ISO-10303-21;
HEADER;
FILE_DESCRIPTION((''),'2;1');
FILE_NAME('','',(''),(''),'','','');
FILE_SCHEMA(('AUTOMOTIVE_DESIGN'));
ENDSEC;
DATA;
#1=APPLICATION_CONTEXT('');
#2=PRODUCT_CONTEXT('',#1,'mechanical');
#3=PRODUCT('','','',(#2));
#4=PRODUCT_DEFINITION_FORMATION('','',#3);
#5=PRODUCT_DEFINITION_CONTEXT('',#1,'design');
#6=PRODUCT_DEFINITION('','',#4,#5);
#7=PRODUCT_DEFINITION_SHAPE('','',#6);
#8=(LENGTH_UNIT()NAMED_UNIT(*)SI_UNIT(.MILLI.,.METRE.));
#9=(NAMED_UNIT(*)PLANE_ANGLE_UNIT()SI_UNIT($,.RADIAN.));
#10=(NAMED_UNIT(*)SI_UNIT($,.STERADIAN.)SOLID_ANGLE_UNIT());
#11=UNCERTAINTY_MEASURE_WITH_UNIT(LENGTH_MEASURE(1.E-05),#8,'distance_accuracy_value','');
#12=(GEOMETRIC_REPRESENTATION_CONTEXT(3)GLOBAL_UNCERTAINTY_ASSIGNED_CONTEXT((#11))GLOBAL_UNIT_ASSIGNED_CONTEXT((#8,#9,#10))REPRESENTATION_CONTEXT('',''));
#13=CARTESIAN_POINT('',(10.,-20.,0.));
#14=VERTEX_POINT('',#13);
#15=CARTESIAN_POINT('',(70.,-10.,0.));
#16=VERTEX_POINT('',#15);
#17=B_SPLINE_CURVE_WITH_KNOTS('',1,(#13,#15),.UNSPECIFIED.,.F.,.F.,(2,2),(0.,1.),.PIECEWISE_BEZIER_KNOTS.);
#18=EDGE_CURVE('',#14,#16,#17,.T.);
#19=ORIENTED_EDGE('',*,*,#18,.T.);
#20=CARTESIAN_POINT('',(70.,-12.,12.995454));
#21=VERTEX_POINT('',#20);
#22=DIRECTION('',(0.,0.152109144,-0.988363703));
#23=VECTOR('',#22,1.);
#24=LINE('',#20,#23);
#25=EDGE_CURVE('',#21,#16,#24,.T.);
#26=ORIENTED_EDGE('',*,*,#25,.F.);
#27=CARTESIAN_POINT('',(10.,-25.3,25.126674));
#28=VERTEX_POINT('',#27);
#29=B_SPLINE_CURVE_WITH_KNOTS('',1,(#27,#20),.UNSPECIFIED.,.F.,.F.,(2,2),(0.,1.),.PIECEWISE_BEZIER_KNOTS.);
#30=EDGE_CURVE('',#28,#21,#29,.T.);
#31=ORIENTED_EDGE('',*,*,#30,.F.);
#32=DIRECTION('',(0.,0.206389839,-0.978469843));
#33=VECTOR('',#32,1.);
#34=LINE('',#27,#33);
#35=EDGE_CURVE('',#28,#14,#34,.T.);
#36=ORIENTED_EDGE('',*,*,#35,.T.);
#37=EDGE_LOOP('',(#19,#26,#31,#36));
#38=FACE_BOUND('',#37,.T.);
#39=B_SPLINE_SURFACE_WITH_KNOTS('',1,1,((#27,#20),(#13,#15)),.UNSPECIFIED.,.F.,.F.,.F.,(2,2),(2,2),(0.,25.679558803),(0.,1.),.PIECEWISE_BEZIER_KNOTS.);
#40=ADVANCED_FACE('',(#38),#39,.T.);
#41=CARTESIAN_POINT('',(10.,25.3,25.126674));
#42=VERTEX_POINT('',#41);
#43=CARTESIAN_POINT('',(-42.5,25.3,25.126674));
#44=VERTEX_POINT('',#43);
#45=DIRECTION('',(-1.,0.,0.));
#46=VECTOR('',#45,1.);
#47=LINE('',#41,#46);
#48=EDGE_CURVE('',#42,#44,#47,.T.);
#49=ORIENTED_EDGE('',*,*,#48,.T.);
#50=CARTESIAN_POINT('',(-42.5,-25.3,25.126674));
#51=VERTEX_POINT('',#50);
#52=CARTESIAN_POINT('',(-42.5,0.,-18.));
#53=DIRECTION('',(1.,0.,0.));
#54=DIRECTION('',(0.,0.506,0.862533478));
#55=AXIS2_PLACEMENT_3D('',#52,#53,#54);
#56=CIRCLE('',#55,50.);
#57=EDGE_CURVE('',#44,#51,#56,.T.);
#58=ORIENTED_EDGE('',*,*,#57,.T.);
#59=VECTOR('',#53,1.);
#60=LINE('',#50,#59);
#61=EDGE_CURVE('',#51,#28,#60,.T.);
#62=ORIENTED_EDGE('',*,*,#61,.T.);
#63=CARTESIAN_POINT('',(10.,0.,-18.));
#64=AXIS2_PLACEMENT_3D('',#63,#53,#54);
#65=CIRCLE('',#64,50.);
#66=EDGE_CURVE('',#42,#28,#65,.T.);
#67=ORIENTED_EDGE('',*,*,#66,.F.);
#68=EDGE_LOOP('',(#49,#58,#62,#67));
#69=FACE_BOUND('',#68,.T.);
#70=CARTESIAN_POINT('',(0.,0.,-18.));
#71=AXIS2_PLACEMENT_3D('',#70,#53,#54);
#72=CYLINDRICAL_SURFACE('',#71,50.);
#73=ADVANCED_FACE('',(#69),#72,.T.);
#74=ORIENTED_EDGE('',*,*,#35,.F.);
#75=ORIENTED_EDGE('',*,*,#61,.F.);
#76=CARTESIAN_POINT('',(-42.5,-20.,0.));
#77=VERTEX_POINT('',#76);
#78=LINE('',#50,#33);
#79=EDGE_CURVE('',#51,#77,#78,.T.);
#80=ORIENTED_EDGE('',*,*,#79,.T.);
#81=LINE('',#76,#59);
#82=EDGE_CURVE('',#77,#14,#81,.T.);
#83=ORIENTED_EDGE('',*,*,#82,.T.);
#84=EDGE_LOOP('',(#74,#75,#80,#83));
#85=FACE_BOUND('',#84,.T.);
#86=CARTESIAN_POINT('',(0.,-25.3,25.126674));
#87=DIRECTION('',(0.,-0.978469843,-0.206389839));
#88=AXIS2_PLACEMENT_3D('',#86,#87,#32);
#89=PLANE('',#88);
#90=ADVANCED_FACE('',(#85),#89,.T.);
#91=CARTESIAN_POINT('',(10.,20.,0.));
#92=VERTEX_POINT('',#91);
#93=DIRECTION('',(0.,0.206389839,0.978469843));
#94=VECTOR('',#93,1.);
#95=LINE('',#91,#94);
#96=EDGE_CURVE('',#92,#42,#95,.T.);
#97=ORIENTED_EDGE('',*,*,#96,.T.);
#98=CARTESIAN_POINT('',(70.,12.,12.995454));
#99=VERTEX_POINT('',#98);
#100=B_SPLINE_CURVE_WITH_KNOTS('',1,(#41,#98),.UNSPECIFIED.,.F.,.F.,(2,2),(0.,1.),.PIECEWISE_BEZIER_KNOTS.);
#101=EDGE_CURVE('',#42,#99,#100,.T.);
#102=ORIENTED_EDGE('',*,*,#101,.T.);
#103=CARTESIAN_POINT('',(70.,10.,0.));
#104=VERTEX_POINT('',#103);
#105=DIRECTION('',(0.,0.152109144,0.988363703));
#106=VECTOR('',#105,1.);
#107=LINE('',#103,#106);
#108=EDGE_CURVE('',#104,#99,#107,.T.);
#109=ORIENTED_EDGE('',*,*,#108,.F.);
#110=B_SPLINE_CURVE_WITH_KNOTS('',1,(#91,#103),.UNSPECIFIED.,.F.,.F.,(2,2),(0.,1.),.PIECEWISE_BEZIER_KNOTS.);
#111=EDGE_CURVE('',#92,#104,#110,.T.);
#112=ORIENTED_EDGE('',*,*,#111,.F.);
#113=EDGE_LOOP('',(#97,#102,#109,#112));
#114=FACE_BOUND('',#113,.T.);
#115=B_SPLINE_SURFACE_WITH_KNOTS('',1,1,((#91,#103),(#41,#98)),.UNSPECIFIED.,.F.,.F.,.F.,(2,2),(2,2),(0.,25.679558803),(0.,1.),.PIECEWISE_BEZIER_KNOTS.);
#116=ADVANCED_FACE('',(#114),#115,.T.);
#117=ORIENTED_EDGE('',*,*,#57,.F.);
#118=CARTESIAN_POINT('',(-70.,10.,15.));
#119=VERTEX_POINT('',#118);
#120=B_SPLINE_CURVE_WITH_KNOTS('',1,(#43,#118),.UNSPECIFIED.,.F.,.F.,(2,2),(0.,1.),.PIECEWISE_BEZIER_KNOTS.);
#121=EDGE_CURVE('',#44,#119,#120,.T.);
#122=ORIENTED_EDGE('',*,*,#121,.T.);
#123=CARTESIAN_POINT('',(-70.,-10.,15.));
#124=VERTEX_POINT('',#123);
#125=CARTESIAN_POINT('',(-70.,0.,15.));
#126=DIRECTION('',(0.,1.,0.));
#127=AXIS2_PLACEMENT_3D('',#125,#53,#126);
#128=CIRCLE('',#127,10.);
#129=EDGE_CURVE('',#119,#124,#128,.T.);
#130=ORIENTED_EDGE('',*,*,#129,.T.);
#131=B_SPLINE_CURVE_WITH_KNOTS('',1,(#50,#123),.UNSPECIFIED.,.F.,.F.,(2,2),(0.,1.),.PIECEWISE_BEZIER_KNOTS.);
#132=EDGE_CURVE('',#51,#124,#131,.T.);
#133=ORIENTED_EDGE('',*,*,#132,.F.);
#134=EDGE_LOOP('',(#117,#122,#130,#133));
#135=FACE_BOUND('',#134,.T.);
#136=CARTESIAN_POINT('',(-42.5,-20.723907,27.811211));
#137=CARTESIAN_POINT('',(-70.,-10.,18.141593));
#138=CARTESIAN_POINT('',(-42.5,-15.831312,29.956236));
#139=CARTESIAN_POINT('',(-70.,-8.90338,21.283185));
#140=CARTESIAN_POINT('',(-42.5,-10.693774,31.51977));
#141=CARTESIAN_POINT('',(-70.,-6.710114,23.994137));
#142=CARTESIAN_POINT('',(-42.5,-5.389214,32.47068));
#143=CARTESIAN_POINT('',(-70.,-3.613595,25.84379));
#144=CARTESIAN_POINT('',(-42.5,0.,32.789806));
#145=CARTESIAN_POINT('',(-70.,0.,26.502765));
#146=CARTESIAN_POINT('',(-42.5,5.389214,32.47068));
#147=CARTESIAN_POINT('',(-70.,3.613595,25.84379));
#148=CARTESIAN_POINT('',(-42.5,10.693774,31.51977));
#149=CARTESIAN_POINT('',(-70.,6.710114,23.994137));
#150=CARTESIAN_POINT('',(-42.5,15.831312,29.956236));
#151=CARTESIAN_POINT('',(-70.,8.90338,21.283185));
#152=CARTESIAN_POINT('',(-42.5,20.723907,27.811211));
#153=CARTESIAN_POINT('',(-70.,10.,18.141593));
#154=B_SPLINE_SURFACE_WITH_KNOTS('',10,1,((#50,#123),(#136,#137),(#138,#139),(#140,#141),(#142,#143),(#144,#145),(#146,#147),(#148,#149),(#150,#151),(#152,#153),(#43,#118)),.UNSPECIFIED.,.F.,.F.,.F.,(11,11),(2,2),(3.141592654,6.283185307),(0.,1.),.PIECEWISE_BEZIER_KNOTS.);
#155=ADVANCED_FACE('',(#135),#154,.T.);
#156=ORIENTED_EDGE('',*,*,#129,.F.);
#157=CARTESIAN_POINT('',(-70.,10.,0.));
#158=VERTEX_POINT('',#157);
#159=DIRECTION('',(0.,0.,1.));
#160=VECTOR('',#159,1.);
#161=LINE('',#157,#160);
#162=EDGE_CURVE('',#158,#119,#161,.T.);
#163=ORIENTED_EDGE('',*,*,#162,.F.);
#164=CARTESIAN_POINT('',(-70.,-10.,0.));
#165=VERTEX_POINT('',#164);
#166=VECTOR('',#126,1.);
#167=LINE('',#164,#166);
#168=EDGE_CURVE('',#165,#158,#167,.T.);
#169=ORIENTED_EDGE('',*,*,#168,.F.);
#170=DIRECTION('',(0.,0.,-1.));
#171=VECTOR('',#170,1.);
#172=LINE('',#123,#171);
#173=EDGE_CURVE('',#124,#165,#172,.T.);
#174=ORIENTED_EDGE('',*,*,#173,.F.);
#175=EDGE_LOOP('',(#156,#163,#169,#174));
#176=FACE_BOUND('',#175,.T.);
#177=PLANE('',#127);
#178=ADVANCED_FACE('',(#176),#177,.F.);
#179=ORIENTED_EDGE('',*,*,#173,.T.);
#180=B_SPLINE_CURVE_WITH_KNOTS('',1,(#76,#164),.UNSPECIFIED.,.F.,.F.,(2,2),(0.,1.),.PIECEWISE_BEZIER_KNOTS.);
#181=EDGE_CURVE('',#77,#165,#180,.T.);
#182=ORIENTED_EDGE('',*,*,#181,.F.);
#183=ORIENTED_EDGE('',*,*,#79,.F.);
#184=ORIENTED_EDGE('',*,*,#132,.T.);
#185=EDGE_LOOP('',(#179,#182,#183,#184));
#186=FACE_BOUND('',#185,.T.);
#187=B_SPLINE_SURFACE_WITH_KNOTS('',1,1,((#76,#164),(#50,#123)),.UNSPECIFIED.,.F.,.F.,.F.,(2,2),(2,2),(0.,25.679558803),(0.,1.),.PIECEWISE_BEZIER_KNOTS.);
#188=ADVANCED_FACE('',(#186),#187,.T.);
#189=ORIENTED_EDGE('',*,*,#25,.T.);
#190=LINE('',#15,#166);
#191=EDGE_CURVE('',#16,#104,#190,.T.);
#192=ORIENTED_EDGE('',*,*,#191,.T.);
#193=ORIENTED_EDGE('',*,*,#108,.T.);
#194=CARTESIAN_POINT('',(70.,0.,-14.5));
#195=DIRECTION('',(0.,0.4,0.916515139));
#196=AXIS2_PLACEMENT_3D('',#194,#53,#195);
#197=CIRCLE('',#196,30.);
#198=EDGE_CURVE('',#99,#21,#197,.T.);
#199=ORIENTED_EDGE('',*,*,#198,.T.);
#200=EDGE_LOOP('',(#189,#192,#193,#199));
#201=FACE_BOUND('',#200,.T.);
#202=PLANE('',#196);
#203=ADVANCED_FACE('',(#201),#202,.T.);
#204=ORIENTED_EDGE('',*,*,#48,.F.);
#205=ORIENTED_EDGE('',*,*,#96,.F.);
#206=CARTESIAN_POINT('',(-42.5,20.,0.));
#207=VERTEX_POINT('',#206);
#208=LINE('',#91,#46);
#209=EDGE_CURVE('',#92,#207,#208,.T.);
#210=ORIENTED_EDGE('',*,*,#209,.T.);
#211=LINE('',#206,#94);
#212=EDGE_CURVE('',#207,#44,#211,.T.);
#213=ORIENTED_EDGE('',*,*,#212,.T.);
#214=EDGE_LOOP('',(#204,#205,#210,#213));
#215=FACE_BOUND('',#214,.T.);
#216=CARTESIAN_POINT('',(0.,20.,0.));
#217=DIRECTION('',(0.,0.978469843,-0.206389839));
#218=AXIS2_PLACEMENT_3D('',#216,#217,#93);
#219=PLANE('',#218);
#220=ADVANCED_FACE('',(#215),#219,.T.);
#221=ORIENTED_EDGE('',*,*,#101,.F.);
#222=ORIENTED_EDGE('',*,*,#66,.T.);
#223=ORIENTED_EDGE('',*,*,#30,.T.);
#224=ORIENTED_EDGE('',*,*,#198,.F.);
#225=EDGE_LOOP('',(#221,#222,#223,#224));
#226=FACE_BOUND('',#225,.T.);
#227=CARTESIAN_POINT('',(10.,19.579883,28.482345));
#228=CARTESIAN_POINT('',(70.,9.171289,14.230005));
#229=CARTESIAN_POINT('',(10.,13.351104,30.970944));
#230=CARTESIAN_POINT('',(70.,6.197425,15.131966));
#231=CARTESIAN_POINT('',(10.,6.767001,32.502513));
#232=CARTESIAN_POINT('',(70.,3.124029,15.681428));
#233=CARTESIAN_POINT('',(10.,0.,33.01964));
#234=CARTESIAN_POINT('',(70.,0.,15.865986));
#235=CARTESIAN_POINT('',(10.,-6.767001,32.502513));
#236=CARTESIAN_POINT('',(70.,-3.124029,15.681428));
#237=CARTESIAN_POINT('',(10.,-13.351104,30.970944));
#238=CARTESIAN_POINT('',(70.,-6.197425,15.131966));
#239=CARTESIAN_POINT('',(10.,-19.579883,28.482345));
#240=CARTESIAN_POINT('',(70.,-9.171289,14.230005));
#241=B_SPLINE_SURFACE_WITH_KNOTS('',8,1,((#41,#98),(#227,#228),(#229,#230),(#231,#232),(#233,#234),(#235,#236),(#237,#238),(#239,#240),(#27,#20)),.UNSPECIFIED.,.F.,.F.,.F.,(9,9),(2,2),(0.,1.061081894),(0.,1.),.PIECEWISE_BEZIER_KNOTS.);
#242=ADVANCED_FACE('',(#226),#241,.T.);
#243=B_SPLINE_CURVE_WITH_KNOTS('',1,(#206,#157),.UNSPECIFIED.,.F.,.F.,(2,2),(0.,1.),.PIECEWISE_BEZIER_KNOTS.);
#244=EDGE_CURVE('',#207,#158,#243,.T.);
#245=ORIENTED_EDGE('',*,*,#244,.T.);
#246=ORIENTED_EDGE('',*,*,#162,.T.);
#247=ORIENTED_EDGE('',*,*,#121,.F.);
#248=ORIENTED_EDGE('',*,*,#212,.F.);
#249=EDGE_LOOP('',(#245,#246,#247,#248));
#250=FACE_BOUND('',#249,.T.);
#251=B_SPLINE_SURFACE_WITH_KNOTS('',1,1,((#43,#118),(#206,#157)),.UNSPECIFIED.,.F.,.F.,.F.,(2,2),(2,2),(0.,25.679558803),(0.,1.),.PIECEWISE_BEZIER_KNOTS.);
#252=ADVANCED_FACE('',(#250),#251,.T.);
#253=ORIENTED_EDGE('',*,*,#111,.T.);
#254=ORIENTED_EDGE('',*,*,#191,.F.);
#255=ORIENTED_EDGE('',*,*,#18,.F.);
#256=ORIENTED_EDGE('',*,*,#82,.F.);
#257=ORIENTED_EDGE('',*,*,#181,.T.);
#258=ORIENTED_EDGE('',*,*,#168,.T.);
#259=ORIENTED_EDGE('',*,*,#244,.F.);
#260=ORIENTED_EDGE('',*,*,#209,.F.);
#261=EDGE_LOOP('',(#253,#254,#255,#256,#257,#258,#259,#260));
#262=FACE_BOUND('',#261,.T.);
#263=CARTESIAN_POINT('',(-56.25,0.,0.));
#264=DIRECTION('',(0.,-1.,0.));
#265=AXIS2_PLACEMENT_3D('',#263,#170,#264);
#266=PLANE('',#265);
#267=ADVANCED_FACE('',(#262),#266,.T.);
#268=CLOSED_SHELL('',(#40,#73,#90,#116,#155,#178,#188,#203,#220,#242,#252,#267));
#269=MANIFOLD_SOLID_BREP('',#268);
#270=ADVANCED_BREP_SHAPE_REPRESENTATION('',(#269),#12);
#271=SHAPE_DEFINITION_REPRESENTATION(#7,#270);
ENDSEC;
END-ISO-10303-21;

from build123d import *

# Parameters (mm, degrees)
F1_DEPTH      = 10
F1_DEPTH_BACK = 42.5


with BuildPart() as f1:
    # F0 (on Right) → F1 (new body, two sides)
    with BuildSketch(Plane.YZ) as f1_sk:
        with BuildLine():
            ThreePointArc((25.3, 25.1266738806), (0, 32), (-25.3, 25.1266738806))
            Line((-25.3, 25.1266738806), (-20, 0))
            Line((-20, 0), (20, 0))
            Line((20, 0), (25.3, 25.1266738806))
        make_face()
    extrude(amount=F1_DEPTH)
    extrude(f1_sk.sketch, amount=-F1_DEPTH_BACK)

    # F1_face (on face) → F4 section 0
    with BuildSketch(Plane(origin=(10, 0, 15.5949865173), x_dir=(0, 1, 0), z_dir=(1, 0, 0))):
        with BuildLine():
            ThreePointArc((25.3, 9.5316873632), (0, 16.4050134827), (-25.3, 9.5316873632))
            Line((-25.3, 9.5316873632), (-20, -15.5949865173))
            Line((-20, -15.5949865173), (20, -15.5949865173))
            Line((20, -15.5949865173), (25.3, 9.5316873632))
        make_face()
    # F3 (on offset) → F4 section 1
    with BuildSketch(Plane.YZ.offset(70)):
        with BuildLine():
            ThreePointArc((12, 12.9954541697), (0, 15.5), (-12, 12.9954541697))
            Line((-12, 12.9954541697), (-10, 0))
            Line((-10, 0), (10, 0))
            Line((10, 0), (12, 12.9954541697))
        make_face()
    loft()

    # F1_face1 (on face) → F7 section 0
    with BuildSketch(Plane(origin=(-42.5, 0, 15.5949865173), x_dir=(0, 1, 0), z_dir=(-1, 0, 0))):
        with BuildLine():
            ThreePointArc((-25.3, -9.5316873632), (0, -16.4050134827), (25.3, -9.5316873632))
            Line((25.3, -9.5316873632), (20, 15.5949865173))
            Line((20, 15.5949865173), (-20, 15.5949865173))
            Line((-20, 15.5949865173), (-25.3, -9.5316873632))
        make_face()
    # F6 (on offset) → F7 section 1
    with BuildSketch(Plane.YZ.offset(-70)):
        with BuildLine():
            ThreePointArc((10, 15), (0, 25), (-10, 15))
            Line((-10, 15), (-10, 0))
            Line((-10, 0), (10, 0))
            Line((10, 0), (10, 15))
        make_face()
    loft()


solid = f1.part
